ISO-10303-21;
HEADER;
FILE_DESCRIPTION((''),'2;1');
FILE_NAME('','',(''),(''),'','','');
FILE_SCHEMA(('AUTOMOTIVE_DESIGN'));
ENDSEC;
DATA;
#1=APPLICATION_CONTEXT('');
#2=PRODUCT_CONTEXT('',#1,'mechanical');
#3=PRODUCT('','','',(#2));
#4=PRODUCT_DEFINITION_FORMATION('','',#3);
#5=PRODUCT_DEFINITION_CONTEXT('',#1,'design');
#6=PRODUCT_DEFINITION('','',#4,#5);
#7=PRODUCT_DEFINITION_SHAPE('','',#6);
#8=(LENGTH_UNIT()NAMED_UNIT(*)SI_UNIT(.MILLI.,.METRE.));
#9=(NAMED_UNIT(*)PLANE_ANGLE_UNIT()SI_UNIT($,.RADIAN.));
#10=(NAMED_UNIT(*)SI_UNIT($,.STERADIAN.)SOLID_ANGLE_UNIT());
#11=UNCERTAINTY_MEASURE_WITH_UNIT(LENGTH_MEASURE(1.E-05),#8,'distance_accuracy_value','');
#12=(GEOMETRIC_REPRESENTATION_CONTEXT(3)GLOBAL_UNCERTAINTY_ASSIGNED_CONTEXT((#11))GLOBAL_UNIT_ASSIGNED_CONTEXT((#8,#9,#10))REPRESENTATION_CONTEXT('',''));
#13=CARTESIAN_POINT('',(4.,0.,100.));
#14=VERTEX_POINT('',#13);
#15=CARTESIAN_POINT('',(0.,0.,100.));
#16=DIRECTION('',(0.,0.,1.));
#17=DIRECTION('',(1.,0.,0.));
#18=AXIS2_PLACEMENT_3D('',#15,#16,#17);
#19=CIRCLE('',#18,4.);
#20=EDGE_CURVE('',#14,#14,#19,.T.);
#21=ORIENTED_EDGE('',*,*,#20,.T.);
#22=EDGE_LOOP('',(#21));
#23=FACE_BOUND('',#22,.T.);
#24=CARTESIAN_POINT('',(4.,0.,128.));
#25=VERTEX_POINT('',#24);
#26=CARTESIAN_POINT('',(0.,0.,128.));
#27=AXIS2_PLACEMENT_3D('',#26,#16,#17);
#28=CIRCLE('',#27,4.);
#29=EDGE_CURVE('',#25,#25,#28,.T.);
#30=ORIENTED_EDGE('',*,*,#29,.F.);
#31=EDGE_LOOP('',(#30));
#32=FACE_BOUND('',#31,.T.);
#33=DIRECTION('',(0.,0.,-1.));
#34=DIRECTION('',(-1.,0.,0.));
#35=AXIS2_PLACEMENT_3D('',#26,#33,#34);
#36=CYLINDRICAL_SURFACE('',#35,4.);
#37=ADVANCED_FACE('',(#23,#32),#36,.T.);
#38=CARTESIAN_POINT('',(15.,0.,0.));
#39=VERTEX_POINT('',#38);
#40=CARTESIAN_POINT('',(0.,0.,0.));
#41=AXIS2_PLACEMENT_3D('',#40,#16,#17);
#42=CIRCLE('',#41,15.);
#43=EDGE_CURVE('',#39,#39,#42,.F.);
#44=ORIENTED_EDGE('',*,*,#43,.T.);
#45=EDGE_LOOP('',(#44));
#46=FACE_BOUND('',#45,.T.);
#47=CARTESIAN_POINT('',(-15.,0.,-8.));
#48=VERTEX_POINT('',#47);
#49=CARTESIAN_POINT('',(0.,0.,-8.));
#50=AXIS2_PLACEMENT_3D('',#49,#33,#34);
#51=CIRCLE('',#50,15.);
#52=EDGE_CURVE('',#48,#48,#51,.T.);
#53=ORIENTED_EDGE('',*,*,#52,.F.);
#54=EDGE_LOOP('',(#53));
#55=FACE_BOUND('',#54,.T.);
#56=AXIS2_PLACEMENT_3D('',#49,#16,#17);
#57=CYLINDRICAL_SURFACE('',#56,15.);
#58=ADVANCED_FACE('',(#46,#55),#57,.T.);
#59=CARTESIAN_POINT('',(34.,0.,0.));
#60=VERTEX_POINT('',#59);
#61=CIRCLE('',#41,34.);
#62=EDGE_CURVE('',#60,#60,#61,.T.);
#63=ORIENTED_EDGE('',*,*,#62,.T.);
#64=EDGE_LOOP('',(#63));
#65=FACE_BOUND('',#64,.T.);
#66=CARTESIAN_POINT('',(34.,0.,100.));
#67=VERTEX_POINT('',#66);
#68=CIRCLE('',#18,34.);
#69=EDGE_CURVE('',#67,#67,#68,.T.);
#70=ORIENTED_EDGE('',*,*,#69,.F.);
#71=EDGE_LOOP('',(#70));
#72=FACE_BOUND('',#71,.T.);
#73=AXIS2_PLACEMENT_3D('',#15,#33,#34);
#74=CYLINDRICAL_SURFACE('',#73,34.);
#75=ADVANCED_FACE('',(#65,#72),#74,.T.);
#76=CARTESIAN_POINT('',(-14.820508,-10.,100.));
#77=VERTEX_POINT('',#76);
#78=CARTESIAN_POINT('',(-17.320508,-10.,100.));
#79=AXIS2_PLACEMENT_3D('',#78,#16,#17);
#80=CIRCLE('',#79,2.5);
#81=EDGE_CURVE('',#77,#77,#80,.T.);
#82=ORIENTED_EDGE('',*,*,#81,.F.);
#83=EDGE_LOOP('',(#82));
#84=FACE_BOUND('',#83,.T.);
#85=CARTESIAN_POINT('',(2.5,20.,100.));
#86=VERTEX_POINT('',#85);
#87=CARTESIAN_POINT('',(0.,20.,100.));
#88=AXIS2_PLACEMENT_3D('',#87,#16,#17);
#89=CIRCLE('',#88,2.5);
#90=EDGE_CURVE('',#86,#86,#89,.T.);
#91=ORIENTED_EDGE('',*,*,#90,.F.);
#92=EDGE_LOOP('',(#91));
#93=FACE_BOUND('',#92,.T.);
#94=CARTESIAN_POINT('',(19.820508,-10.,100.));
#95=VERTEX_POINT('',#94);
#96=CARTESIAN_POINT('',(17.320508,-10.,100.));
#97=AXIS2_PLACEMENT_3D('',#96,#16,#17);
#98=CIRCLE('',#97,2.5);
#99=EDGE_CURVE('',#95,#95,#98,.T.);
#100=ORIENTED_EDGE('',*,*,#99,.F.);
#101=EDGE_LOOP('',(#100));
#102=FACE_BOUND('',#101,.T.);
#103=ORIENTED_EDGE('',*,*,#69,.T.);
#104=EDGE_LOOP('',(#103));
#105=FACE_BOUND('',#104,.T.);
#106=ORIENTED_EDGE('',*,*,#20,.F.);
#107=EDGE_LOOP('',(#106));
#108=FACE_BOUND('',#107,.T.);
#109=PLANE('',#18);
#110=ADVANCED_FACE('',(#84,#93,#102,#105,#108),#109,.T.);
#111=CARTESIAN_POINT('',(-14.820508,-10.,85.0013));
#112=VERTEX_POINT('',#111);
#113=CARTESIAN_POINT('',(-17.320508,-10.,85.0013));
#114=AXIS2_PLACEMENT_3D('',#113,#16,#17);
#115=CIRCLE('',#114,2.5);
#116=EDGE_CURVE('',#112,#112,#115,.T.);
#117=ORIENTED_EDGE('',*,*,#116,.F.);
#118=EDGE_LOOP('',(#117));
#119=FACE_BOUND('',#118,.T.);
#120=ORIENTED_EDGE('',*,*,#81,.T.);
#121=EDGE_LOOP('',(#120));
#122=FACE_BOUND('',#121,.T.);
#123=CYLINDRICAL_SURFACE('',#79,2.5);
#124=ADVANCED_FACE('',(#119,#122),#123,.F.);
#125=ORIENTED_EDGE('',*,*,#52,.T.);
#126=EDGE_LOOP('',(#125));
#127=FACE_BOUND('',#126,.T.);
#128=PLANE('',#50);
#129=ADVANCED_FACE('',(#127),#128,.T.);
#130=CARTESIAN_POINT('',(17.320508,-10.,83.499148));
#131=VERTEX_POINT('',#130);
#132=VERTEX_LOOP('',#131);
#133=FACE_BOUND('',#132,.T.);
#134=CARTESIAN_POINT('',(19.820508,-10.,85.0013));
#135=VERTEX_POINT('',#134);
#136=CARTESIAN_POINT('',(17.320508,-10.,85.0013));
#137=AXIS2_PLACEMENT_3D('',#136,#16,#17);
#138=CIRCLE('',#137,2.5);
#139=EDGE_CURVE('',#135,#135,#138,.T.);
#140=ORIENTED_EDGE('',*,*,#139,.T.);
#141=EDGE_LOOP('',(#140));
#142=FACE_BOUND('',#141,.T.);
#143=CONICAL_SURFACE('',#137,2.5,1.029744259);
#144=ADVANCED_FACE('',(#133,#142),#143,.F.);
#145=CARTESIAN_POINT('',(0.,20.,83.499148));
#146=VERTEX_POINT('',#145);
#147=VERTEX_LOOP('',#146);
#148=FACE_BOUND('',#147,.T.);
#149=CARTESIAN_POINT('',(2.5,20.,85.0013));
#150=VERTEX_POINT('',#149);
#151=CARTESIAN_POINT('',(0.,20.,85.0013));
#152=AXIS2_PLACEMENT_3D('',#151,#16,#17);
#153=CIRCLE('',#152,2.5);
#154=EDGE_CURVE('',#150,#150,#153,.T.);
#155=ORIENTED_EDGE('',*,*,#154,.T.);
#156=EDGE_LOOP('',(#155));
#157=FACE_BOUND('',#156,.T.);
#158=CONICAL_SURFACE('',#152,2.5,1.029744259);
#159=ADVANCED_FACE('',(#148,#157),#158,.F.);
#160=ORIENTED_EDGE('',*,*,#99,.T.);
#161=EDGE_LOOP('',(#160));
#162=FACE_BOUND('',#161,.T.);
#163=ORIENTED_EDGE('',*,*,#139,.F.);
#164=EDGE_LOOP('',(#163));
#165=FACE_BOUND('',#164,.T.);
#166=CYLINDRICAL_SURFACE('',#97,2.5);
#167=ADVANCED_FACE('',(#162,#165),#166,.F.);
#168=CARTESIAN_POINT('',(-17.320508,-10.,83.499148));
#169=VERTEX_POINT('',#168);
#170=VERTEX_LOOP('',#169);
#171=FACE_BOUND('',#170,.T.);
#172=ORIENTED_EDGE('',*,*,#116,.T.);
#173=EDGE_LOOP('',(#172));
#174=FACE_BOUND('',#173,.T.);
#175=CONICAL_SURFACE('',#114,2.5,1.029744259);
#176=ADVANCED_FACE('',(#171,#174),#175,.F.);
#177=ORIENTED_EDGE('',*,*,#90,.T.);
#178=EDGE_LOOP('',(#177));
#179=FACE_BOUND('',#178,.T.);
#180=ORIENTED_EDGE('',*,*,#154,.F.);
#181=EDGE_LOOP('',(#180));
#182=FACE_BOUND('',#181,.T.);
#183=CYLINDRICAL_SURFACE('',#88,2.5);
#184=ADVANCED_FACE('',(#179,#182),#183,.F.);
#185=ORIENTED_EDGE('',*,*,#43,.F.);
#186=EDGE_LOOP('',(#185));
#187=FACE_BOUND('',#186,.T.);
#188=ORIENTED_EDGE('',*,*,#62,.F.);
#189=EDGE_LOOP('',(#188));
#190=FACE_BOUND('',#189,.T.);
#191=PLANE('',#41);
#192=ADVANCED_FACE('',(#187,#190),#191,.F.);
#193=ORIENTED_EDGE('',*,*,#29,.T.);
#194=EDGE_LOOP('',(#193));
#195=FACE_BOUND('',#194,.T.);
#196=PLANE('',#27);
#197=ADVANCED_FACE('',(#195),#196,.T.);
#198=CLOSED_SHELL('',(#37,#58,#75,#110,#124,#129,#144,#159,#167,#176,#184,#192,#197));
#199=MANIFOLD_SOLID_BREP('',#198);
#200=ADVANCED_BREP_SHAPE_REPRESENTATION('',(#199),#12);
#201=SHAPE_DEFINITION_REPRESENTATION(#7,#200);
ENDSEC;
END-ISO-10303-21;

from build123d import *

# Parameters (mm, degrees)
SKETCH1_R                 = 34
BOSS_EXTRUDE1_DEPTH       = 100
SKETCH3_R                 = 4
BOSS_EXTRUDE2_DEPTH       = 28
M6X1_0_TAPPED_HOLE1_D     = 5
M6X1_0_TAPPED_HOLE1_DEPTH = 14.9987
M6X1_0_TAPPED_HOLE1_TIP   = 1.502151548
SKETCH6_R                 = 15
BOSS_EXTRUDE3_DEPTH       = 8


with BuildPart() as part:
    # Sketch1 → Boss-Extrude1 (new body)
    with BuildSketch(Plane.XY):
        Circle(SKETCH1_R)
    extrude(amount=BOSS_EXTRUDE1_DEPTH)

    # Sketch3 → Boss-Extrude2 (add)
    with BuildSketch(Plane.XY.offset(100)):
        Circle(SKETCH3_R)
    extrude(amount=BOSS_EXTRUDE2_DEPTH)

    # M6x1.0 Tapped Hole1
    with Locations(Plane(origin=(0, 20, 100), x_dir=(1, 0, 0), z_dir=(0, 0, 1))):
        with Locations((0, 0), (17.320508076, -30), (-17.320508076, -30)):
            Hole(M6X1_0_TAPPED_HOLE1_D / 2, depth=M6X1_0_TAPPED_HOLE1_DEPTH)
            with Locations((0, 0, -(M6X1_0_TAPPED_HOLE1_DEPTH + M6X1_0_TAPPED_HOLE1_TIP / 2))):  # 118° drill point
                Cone(0, M6X1_0_TAPPED_HOLE1_D / 2, M6X1_0_TAPPED_HOLE1_TIP, mode=Mode.SUBTRACT)

    # Sketch6 → Boss-Extrude3 (add)
    with BuildSketch(Plane(origin=(0, 0, 0), x_dir=(-1, 0, 0), z_dir=(0, 0, -1))):
        with Locations(Location((0, 0, 0), (0, 0, 180))):
            Circle(SKETCH6_R)
    extrude(amount=BOSS_EXTRUDE3_DEPTH)


solid = part.part
